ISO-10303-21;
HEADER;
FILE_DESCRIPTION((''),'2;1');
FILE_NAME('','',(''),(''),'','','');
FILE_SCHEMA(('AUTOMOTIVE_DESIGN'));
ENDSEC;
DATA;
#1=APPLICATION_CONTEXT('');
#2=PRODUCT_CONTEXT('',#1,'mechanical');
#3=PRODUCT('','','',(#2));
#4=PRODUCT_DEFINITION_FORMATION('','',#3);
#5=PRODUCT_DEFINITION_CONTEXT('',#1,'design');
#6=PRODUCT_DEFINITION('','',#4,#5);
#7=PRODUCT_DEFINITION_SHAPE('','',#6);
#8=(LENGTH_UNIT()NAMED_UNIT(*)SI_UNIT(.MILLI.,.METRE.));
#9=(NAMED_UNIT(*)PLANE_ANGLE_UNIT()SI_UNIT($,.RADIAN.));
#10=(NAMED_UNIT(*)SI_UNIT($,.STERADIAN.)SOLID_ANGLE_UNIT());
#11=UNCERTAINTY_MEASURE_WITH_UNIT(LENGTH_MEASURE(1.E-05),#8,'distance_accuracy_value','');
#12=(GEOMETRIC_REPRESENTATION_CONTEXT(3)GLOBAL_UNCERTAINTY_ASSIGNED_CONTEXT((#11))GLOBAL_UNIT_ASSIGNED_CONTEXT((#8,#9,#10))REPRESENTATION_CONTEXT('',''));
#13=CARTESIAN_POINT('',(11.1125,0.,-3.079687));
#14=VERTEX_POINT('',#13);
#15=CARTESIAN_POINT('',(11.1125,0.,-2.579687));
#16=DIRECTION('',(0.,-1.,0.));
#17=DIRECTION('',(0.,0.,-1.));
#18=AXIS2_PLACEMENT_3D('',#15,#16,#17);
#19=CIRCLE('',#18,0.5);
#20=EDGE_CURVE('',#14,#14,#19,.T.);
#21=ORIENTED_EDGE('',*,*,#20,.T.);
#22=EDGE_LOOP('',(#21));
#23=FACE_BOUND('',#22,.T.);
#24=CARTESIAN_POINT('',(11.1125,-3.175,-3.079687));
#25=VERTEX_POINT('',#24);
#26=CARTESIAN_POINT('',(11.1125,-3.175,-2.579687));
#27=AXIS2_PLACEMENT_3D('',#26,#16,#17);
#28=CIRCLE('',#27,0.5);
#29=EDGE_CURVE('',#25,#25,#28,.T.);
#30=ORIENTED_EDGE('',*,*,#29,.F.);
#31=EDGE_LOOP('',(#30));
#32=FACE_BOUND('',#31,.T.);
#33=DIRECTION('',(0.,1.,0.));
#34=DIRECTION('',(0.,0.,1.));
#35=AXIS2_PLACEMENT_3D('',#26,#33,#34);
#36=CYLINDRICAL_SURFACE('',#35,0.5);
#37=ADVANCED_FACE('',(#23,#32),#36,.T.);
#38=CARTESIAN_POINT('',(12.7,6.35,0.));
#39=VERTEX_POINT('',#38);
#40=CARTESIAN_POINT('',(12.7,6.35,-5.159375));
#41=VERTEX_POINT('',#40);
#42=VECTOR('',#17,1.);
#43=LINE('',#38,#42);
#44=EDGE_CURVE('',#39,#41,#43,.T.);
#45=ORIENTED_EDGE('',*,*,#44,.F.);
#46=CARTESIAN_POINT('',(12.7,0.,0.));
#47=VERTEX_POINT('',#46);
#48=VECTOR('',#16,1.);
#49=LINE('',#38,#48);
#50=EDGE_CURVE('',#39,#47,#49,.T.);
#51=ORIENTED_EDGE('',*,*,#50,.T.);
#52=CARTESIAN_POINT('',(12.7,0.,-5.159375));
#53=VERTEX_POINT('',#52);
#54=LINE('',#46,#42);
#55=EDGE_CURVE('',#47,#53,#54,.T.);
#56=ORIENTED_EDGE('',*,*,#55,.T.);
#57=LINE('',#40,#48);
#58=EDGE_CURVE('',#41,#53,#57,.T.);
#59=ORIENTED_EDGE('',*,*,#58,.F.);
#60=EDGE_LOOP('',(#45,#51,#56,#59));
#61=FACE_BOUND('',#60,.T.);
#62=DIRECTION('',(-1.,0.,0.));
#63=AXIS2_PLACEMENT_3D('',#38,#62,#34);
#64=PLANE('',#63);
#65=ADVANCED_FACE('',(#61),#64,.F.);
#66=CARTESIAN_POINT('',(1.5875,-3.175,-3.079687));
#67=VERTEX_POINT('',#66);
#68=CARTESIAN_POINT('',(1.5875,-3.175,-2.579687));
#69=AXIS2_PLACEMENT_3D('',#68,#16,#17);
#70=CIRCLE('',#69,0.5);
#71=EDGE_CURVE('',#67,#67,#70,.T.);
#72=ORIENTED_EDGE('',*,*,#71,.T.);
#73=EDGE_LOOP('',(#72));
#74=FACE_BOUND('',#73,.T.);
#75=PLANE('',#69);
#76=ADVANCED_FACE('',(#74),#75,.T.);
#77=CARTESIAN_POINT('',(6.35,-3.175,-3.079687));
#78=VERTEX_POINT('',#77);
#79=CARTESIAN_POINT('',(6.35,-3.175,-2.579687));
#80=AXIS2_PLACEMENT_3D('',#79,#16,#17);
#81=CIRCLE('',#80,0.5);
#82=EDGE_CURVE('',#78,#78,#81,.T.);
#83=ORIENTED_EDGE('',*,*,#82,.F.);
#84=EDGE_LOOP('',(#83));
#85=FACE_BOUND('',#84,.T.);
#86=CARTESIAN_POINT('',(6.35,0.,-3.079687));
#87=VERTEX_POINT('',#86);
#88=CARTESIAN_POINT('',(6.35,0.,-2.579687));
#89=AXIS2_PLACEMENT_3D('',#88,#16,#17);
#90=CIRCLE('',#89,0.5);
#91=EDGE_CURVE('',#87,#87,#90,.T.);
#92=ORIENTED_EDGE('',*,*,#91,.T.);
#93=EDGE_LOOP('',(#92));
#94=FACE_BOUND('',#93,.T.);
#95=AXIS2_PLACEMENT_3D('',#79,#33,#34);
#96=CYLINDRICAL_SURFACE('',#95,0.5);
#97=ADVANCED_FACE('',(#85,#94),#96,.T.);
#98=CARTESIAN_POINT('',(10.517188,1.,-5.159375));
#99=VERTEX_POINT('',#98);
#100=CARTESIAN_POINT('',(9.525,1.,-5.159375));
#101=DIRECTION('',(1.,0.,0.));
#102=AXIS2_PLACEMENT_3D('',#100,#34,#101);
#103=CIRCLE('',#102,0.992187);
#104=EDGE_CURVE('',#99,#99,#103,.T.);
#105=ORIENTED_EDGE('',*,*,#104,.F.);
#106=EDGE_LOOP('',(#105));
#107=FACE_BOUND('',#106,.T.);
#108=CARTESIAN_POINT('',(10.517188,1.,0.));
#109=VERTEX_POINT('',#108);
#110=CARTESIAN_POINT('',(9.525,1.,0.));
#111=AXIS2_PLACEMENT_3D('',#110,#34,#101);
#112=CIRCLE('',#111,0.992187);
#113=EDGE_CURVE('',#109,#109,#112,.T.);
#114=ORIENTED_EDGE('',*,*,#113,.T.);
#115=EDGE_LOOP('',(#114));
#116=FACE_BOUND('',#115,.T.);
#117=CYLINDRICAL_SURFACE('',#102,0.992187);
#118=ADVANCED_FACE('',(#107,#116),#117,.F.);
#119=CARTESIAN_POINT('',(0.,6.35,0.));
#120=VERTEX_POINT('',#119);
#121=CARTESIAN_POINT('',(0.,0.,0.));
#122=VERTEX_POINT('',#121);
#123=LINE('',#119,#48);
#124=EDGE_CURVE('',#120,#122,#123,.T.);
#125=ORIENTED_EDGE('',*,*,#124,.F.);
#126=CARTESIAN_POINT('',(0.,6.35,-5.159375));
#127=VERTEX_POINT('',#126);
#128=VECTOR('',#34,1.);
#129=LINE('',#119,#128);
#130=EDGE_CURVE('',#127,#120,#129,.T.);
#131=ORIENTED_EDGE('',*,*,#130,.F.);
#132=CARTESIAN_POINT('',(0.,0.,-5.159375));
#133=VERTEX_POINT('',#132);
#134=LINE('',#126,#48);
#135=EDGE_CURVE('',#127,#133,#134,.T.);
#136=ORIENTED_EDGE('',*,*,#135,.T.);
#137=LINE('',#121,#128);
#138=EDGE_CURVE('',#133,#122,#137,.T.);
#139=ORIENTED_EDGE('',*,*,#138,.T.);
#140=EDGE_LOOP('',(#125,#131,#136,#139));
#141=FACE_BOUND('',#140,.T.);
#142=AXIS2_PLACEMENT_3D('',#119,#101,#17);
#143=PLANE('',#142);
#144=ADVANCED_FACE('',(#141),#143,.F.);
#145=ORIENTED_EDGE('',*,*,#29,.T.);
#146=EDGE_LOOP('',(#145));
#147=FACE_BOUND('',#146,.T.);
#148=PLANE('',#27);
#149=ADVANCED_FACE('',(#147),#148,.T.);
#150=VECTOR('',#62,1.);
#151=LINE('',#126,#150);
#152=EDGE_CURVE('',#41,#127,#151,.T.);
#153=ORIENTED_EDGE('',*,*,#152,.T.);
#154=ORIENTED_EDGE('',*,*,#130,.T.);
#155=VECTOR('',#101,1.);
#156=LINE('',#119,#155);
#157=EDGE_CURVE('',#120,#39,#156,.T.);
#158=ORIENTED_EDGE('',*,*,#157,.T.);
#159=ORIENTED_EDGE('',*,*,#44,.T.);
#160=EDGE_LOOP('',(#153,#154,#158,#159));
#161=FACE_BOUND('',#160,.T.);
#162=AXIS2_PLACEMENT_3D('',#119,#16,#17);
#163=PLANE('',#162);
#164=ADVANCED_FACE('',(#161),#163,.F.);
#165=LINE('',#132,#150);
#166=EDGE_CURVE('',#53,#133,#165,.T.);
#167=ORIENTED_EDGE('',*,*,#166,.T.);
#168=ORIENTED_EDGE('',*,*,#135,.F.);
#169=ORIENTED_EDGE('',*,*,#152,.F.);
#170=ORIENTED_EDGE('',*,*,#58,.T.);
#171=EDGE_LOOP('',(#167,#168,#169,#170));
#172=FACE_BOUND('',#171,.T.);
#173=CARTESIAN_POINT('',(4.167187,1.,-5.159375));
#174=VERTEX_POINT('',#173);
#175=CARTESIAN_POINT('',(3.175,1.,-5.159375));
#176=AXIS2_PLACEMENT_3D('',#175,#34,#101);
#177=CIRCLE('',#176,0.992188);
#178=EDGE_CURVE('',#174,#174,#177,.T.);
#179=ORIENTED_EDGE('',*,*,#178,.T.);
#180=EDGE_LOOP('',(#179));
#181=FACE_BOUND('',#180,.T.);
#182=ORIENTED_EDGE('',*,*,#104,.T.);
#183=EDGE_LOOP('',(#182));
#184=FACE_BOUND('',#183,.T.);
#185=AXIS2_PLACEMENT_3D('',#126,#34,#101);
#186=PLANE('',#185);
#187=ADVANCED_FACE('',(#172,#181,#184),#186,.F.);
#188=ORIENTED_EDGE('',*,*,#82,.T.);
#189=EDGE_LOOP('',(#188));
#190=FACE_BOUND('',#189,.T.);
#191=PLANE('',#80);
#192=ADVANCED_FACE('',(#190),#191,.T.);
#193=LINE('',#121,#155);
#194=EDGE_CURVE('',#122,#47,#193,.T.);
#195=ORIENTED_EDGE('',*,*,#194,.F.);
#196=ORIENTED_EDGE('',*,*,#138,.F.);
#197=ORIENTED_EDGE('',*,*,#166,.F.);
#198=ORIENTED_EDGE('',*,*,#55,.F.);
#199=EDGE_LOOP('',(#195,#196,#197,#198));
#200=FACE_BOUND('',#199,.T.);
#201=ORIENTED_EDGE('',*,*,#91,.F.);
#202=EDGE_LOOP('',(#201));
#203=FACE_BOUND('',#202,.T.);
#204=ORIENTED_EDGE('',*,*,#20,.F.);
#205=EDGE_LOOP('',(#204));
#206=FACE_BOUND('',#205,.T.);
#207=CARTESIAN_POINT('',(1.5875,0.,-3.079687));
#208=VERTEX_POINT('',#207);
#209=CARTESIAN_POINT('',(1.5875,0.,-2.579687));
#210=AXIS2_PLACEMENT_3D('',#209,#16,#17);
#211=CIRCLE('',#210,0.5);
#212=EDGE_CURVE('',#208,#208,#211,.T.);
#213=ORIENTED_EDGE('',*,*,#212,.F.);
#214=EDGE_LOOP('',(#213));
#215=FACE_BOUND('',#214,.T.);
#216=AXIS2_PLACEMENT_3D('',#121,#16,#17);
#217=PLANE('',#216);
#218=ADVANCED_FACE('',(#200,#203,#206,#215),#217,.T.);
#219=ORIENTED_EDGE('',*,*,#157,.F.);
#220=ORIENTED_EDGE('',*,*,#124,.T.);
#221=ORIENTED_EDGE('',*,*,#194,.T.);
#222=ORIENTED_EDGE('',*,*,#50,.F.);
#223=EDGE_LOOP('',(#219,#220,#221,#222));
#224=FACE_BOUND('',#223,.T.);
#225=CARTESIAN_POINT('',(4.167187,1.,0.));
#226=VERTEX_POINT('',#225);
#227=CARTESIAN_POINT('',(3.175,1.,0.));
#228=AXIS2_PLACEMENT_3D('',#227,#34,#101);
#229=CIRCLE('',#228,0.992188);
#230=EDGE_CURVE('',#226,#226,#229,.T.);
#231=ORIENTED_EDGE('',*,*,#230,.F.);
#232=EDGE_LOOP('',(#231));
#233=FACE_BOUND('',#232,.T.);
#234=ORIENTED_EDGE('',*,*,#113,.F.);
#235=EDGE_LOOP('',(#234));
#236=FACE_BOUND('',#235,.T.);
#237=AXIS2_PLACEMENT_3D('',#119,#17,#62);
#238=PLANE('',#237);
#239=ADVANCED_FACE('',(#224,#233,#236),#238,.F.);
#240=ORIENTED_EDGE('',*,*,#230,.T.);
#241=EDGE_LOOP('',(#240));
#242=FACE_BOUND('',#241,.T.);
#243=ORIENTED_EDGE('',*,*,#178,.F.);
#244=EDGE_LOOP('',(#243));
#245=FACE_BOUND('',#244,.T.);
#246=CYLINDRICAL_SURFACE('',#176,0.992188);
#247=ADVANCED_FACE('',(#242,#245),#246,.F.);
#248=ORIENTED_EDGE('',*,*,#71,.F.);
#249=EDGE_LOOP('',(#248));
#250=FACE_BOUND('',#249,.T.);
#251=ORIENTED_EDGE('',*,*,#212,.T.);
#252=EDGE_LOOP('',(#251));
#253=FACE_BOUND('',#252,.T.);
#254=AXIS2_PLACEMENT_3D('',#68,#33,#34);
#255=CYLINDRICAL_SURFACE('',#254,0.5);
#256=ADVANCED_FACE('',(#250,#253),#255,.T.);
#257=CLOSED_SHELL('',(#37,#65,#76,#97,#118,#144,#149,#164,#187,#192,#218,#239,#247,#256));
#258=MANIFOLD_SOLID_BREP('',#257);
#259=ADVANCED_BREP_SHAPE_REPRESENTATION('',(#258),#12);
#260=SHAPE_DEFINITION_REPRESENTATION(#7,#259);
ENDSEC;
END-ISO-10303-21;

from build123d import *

# Parameters (mm, degrees)
SKETCH1_W           = 12.7
SKETCH1_H           = 5.159375
BOSS_EXTRUDE1_DEPTH = 6.35
SKETCH2_R           = 0.5
BOSS_EXTRUDE2_DEPTH = 3.175
SKETCH3_R           = 0.9921875
CUT_EXTRUDE1_DEPTH  = 16.107337634


with BuildPart() as part:
    # Sketch1 → Boss-Extrude1 (new body)
    with BuildSketch(Plane(origin=(0, 0, 0), x_dir=(1, 0, 0), z_dir=(0, 1, 0))):
        with Locations((6.35, 2.5796875)):
            Rectangle(SKETCH1_W, SKETCH1_H)
    extrude(amount=BOSS_EXTRUDE1_DEPTH)

    # Sketch2 → Boss-Extrude2 (add)
    with BuildSketch(Plane.XZ):
        with Locations(Location((6.35, -2.5796875, 0), (0, 0, 270))):
            Circle(SKETCH2_R)
        with Locations(Location((1.5875, -2.5796875, 0), (0, 0, 270))):
            Circle(SKETCH2_R)
        with Locations(Location((11.1125, -2.5796875, 0), (0, 0, 270))):
            Circle(SKETCH2_R)
    extrude(amount=BOSS_EXTRUDE2_DEPTH)

    # Sketch3 → Cut-Extrude1 (cut, through all)
    with BuildSketch(Plane.XY):
        with Locations((9.525, 1)):
            Circle(SKETCH3_R)
        with Locations((3.175, 1)):
            Circle(SKETCH3_R)
    extrude(amount=-CUT_EXTRUDE1_DEPTH, mode=Mode.SUBTRACT)


solid = part.part
